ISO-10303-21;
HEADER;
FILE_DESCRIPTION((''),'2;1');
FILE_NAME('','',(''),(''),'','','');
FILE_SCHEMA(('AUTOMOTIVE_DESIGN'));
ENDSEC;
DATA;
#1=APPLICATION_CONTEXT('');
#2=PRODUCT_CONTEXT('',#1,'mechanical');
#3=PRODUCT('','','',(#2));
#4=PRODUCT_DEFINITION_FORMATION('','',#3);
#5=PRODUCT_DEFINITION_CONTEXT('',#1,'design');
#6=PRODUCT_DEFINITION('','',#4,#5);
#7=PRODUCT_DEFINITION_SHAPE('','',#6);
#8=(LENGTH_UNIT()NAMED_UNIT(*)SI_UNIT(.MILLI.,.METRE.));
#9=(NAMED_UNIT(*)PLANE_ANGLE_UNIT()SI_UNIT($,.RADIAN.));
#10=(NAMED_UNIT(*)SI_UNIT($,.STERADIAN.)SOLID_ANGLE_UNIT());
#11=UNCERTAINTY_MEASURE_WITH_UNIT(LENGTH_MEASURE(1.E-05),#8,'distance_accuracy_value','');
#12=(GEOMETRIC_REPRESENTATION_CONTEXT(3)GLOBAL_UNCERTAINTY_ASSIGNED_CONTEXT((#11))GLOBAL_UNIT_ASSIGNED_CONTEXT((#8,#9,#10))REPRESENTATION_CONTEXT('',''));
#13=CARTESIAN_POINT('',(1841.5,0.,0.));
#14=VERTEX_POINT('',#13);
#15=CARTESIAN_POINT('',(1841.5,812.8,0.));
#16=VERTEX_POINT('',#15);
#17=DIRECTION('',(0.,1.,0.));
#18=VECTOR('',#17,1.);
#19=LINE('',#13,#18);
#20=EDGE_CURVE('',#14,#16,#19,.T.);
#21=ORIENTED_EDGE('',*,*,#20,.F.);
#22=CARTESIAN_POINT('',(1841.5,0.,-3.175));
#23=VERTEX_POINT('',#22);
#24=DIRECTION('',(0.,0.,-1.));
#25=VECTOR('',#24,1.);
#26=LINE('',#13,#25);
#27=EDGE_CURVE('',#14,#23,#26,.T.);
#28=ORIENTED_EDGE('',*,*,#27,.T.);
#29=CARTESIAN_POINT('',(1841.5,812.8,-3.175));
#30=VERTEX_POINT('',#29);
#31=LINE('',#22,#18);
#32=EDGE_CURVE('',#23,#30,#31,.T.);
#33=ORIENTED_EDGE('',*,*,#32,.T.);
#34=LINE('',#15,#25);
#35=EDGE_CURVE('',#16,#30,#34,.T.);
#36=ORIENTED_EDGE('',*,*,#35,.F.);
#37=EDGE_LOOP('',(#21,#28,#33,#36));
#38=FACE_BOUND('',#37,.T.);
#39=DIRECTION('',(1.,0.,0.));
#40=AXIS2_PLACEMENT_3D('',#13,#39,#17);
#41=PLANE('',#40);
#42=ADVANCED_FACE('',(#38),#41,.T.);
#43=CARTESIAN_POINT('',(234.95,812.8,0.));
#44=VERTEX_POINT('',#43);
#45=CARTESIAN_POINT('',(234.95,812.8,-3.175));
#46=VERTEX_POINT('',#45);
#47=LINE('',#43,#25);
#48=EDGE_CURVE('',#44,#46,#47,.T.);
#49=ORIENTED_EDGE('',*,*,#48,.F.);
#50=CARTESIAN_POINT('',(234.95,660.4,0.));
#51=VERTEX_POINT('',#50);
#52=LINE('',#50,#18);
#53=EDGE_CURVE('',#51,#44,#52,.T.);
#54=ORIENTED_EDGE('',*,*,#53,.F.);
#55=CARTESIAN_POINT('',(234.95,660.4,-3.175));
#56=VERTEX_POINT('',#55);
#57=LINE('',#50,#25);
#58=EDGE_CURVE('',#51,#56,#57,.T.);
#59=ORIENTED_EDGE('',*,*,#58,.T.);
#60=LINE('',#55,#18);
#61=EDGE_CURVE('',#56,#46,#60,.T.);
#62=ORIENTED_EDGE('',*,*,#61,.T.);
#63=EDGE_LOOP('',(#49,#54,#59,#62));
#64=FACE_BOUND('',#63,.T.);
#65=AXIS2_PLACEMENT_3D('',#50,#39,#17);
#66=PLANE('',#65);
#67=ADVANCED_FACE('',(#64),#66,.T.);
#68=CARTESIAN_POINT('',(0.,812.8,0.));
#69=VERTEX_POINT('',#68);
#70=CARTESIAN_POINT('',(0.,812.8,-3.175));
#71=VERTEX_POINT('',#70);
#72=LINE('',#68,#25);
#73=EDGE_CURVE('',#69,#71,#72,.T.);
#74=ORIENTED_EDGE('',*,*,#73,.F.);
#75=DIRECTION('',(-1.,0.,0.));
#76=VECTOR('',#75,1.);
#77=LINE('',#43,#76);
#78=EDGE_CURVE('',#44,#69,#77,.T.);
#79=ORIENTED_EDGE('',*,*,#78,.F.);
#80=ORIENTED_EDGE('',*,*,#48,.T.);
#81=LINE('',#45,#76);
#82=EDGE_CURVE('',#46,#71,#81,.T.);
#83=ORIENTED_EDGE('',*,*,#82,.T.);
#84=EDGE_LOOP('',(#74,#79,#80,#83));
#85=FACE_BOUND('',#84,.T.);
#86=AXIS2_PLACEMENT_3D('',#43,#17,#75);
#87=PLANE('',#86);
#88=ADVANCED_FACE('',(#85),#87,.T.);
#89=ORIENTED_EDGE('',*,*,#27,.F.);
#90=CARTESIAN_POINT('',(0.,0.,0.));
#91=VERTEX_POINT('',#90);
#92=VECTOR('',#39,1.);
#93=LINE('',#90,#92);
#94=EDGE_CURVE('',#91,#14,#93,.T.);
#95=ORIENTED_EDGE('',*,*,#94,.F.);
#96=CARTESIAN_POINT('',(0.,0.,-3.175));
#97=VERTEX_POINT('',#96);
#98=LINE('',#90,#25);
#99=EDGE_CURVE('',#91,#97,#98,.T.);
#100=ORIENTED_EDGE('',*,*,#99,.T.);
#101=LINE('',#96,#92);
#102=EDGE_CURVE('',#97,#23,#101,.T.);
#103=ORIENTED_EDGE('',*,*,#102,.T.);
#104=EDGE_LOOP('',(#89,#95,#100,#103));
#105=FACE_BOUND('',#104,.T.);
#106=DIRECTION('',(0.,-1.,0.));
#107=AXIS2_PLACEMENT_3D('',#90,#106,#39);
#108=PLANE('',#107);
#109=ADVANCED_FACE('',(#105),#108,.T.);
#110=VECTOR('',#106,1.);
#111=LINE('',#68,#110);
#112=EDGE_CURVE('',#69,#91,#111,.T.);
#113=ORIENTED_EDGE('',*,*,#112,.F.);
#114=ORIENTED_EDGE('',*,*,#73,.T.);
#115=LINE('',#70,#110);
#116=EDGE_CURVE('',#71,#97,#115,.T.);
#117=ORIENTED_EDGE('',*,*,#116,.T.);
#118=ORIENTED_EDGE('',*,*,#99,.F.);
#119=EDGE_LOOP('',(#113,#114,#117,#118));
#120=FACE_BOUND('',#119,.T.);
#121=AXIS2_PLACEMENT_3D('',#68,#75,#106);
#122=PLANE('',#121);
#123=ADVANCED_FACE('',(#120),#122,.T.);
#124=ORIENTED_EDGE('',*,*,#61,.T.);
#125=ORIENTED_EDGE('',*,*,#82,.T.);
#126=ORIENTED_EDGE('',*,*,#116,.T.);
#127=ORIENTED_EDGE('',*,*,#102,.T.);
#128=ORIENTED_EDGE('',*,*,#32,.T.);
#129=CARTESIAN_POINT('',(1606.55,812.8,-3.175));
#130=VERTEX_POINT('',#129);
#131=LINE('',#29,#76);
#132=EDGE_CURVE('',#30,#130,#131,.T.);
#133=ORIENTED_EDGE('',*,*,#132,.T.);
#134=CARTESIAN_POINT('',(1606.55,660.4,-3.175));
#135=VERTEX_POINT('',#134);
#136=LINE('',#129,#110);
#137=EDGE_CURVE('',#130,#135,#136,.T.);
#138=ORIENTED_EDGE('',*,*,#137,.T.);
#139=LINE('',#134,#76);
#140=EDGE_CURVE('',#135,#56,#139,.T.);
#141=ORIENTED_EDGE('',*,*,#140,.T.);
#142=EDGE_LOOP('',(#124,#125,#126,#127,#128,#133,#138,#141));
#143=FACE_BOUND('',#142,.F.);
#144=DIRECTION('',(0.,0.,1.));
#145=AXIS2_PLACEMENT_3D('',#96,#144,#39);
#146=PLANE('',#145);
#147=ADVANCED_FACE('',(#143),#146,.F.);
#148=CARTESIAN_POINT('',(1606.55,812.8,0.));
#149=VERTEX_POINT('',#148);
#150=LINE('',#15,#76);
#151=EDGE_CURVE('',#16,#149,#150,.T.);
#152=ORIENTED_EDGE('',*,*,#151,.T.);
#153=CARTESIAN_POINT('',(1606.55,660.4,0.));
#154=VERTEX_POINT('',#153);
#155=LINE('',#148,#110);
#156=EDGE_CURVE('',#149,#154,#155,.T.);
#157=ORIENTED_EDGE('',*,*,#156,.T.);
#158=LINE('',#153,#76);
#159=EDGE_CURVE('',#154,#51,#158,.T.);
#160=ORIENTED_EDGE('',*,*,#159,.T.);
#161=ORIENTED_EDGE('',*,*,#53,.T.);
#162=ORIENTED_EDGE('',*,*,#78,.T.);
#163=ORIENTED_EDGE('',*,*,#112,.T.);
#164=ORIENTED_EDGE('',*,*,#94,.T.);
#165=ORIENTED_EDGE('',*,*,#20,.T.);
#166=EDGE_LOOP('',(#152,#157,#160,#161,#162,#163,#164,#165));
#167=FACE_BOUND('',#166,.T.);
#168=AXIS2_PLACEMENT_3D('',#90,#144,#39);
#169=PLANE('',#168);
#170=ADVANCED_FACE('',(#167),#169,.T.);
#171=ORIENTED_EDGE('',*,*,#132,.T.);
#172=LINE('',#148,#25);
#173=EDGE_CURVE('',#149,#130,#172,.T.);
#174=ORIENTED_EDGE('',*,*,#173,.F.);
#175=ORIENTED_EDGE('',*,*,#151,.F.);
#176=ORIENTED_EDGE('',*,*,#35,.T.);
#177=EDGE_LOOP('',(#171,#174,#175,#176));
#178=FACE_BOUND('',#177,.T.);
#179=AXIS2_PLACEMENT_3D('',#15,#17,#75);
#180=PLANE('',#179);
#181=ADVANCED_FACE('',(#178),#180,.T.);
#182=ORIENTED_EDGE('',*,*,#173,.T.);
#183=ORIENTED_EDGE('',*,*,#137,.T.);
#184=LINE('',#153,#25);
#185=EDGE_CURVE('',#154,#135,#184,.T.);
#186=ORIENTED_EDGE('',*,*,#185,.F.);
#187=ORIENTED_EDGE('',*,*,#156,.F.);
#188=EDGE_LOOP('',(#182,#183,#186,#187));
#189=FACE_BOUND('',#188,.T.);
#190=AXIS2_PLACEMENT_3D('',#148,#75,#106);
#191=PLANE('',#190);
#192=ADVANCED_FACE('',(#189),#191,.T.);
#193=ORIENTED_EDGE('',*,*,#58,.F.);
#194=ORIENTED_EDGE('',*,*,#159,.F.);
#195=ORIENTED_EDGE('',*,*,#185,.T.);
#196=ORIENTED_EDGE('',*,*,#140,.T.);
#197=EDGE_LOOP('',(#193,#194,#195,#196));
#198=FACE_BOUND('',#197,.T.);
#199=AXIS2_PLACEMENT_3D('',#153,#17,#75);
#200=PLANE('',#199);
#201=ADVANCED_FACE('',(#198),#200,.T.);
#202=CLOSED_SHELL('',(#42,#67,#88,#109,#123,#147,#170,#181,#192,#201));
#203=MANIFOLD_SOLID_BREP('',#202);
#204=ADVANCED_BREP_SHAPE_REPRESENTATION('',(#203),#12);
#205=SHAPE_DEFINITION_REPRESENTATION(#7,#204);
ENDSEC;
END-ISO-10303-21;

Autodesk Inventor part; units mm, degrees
ref_plane "YZ Plane" through (0, 0, 0) normal (1, 0, 0) x (0, 1, 0)
ref_plane "XZ Plane" through (0, 0, 0) normal (0, 1, 0) x (-1, 0, 0)
ref_plane "XY Plane" through (0, 0, 0) normal (0, 0, 1) x (1, 0, 0)
sketch "Sketch1" plane through (0, 0, 0) normal (0, 0, 1) x (1, 0, 0)
  line L0 (0, 0) -> (1841.5, 0)
  line L1 (1841.5, 0) -> (1841.5, 812.8)
  line L2 (1841.5, 812.8) -> (1606.55, 812.8)
  line L3 (1606.55, 812.8) -> (1606.55, 660.4)
  line L4 (1606.55, 660.4) -> (234.95, 660.4)
  line L5 (234.95, 660.4) -> (234.95, 812.8)
  line L6 (234.95, 812.8) -> (0, 812.8)
  line L7 (0, 812.8) -> (0, 0)
  dimension "d0" = 1841.5
  dimension "d1" = 812.8
  dimension "d2" = 234.95
  dimension "d3" = 152.4
  dimension "d4" = 234.95
  dimension "d5" = 152.4
extrude "Extrusion1" add sketch "Sketch1" against normal blind 3.175
equation "\"d4\" = d2"
equation "\"d5\" = d3"
properties part number "GE-13013RLogo" material "Polycarbonate, Clear"
